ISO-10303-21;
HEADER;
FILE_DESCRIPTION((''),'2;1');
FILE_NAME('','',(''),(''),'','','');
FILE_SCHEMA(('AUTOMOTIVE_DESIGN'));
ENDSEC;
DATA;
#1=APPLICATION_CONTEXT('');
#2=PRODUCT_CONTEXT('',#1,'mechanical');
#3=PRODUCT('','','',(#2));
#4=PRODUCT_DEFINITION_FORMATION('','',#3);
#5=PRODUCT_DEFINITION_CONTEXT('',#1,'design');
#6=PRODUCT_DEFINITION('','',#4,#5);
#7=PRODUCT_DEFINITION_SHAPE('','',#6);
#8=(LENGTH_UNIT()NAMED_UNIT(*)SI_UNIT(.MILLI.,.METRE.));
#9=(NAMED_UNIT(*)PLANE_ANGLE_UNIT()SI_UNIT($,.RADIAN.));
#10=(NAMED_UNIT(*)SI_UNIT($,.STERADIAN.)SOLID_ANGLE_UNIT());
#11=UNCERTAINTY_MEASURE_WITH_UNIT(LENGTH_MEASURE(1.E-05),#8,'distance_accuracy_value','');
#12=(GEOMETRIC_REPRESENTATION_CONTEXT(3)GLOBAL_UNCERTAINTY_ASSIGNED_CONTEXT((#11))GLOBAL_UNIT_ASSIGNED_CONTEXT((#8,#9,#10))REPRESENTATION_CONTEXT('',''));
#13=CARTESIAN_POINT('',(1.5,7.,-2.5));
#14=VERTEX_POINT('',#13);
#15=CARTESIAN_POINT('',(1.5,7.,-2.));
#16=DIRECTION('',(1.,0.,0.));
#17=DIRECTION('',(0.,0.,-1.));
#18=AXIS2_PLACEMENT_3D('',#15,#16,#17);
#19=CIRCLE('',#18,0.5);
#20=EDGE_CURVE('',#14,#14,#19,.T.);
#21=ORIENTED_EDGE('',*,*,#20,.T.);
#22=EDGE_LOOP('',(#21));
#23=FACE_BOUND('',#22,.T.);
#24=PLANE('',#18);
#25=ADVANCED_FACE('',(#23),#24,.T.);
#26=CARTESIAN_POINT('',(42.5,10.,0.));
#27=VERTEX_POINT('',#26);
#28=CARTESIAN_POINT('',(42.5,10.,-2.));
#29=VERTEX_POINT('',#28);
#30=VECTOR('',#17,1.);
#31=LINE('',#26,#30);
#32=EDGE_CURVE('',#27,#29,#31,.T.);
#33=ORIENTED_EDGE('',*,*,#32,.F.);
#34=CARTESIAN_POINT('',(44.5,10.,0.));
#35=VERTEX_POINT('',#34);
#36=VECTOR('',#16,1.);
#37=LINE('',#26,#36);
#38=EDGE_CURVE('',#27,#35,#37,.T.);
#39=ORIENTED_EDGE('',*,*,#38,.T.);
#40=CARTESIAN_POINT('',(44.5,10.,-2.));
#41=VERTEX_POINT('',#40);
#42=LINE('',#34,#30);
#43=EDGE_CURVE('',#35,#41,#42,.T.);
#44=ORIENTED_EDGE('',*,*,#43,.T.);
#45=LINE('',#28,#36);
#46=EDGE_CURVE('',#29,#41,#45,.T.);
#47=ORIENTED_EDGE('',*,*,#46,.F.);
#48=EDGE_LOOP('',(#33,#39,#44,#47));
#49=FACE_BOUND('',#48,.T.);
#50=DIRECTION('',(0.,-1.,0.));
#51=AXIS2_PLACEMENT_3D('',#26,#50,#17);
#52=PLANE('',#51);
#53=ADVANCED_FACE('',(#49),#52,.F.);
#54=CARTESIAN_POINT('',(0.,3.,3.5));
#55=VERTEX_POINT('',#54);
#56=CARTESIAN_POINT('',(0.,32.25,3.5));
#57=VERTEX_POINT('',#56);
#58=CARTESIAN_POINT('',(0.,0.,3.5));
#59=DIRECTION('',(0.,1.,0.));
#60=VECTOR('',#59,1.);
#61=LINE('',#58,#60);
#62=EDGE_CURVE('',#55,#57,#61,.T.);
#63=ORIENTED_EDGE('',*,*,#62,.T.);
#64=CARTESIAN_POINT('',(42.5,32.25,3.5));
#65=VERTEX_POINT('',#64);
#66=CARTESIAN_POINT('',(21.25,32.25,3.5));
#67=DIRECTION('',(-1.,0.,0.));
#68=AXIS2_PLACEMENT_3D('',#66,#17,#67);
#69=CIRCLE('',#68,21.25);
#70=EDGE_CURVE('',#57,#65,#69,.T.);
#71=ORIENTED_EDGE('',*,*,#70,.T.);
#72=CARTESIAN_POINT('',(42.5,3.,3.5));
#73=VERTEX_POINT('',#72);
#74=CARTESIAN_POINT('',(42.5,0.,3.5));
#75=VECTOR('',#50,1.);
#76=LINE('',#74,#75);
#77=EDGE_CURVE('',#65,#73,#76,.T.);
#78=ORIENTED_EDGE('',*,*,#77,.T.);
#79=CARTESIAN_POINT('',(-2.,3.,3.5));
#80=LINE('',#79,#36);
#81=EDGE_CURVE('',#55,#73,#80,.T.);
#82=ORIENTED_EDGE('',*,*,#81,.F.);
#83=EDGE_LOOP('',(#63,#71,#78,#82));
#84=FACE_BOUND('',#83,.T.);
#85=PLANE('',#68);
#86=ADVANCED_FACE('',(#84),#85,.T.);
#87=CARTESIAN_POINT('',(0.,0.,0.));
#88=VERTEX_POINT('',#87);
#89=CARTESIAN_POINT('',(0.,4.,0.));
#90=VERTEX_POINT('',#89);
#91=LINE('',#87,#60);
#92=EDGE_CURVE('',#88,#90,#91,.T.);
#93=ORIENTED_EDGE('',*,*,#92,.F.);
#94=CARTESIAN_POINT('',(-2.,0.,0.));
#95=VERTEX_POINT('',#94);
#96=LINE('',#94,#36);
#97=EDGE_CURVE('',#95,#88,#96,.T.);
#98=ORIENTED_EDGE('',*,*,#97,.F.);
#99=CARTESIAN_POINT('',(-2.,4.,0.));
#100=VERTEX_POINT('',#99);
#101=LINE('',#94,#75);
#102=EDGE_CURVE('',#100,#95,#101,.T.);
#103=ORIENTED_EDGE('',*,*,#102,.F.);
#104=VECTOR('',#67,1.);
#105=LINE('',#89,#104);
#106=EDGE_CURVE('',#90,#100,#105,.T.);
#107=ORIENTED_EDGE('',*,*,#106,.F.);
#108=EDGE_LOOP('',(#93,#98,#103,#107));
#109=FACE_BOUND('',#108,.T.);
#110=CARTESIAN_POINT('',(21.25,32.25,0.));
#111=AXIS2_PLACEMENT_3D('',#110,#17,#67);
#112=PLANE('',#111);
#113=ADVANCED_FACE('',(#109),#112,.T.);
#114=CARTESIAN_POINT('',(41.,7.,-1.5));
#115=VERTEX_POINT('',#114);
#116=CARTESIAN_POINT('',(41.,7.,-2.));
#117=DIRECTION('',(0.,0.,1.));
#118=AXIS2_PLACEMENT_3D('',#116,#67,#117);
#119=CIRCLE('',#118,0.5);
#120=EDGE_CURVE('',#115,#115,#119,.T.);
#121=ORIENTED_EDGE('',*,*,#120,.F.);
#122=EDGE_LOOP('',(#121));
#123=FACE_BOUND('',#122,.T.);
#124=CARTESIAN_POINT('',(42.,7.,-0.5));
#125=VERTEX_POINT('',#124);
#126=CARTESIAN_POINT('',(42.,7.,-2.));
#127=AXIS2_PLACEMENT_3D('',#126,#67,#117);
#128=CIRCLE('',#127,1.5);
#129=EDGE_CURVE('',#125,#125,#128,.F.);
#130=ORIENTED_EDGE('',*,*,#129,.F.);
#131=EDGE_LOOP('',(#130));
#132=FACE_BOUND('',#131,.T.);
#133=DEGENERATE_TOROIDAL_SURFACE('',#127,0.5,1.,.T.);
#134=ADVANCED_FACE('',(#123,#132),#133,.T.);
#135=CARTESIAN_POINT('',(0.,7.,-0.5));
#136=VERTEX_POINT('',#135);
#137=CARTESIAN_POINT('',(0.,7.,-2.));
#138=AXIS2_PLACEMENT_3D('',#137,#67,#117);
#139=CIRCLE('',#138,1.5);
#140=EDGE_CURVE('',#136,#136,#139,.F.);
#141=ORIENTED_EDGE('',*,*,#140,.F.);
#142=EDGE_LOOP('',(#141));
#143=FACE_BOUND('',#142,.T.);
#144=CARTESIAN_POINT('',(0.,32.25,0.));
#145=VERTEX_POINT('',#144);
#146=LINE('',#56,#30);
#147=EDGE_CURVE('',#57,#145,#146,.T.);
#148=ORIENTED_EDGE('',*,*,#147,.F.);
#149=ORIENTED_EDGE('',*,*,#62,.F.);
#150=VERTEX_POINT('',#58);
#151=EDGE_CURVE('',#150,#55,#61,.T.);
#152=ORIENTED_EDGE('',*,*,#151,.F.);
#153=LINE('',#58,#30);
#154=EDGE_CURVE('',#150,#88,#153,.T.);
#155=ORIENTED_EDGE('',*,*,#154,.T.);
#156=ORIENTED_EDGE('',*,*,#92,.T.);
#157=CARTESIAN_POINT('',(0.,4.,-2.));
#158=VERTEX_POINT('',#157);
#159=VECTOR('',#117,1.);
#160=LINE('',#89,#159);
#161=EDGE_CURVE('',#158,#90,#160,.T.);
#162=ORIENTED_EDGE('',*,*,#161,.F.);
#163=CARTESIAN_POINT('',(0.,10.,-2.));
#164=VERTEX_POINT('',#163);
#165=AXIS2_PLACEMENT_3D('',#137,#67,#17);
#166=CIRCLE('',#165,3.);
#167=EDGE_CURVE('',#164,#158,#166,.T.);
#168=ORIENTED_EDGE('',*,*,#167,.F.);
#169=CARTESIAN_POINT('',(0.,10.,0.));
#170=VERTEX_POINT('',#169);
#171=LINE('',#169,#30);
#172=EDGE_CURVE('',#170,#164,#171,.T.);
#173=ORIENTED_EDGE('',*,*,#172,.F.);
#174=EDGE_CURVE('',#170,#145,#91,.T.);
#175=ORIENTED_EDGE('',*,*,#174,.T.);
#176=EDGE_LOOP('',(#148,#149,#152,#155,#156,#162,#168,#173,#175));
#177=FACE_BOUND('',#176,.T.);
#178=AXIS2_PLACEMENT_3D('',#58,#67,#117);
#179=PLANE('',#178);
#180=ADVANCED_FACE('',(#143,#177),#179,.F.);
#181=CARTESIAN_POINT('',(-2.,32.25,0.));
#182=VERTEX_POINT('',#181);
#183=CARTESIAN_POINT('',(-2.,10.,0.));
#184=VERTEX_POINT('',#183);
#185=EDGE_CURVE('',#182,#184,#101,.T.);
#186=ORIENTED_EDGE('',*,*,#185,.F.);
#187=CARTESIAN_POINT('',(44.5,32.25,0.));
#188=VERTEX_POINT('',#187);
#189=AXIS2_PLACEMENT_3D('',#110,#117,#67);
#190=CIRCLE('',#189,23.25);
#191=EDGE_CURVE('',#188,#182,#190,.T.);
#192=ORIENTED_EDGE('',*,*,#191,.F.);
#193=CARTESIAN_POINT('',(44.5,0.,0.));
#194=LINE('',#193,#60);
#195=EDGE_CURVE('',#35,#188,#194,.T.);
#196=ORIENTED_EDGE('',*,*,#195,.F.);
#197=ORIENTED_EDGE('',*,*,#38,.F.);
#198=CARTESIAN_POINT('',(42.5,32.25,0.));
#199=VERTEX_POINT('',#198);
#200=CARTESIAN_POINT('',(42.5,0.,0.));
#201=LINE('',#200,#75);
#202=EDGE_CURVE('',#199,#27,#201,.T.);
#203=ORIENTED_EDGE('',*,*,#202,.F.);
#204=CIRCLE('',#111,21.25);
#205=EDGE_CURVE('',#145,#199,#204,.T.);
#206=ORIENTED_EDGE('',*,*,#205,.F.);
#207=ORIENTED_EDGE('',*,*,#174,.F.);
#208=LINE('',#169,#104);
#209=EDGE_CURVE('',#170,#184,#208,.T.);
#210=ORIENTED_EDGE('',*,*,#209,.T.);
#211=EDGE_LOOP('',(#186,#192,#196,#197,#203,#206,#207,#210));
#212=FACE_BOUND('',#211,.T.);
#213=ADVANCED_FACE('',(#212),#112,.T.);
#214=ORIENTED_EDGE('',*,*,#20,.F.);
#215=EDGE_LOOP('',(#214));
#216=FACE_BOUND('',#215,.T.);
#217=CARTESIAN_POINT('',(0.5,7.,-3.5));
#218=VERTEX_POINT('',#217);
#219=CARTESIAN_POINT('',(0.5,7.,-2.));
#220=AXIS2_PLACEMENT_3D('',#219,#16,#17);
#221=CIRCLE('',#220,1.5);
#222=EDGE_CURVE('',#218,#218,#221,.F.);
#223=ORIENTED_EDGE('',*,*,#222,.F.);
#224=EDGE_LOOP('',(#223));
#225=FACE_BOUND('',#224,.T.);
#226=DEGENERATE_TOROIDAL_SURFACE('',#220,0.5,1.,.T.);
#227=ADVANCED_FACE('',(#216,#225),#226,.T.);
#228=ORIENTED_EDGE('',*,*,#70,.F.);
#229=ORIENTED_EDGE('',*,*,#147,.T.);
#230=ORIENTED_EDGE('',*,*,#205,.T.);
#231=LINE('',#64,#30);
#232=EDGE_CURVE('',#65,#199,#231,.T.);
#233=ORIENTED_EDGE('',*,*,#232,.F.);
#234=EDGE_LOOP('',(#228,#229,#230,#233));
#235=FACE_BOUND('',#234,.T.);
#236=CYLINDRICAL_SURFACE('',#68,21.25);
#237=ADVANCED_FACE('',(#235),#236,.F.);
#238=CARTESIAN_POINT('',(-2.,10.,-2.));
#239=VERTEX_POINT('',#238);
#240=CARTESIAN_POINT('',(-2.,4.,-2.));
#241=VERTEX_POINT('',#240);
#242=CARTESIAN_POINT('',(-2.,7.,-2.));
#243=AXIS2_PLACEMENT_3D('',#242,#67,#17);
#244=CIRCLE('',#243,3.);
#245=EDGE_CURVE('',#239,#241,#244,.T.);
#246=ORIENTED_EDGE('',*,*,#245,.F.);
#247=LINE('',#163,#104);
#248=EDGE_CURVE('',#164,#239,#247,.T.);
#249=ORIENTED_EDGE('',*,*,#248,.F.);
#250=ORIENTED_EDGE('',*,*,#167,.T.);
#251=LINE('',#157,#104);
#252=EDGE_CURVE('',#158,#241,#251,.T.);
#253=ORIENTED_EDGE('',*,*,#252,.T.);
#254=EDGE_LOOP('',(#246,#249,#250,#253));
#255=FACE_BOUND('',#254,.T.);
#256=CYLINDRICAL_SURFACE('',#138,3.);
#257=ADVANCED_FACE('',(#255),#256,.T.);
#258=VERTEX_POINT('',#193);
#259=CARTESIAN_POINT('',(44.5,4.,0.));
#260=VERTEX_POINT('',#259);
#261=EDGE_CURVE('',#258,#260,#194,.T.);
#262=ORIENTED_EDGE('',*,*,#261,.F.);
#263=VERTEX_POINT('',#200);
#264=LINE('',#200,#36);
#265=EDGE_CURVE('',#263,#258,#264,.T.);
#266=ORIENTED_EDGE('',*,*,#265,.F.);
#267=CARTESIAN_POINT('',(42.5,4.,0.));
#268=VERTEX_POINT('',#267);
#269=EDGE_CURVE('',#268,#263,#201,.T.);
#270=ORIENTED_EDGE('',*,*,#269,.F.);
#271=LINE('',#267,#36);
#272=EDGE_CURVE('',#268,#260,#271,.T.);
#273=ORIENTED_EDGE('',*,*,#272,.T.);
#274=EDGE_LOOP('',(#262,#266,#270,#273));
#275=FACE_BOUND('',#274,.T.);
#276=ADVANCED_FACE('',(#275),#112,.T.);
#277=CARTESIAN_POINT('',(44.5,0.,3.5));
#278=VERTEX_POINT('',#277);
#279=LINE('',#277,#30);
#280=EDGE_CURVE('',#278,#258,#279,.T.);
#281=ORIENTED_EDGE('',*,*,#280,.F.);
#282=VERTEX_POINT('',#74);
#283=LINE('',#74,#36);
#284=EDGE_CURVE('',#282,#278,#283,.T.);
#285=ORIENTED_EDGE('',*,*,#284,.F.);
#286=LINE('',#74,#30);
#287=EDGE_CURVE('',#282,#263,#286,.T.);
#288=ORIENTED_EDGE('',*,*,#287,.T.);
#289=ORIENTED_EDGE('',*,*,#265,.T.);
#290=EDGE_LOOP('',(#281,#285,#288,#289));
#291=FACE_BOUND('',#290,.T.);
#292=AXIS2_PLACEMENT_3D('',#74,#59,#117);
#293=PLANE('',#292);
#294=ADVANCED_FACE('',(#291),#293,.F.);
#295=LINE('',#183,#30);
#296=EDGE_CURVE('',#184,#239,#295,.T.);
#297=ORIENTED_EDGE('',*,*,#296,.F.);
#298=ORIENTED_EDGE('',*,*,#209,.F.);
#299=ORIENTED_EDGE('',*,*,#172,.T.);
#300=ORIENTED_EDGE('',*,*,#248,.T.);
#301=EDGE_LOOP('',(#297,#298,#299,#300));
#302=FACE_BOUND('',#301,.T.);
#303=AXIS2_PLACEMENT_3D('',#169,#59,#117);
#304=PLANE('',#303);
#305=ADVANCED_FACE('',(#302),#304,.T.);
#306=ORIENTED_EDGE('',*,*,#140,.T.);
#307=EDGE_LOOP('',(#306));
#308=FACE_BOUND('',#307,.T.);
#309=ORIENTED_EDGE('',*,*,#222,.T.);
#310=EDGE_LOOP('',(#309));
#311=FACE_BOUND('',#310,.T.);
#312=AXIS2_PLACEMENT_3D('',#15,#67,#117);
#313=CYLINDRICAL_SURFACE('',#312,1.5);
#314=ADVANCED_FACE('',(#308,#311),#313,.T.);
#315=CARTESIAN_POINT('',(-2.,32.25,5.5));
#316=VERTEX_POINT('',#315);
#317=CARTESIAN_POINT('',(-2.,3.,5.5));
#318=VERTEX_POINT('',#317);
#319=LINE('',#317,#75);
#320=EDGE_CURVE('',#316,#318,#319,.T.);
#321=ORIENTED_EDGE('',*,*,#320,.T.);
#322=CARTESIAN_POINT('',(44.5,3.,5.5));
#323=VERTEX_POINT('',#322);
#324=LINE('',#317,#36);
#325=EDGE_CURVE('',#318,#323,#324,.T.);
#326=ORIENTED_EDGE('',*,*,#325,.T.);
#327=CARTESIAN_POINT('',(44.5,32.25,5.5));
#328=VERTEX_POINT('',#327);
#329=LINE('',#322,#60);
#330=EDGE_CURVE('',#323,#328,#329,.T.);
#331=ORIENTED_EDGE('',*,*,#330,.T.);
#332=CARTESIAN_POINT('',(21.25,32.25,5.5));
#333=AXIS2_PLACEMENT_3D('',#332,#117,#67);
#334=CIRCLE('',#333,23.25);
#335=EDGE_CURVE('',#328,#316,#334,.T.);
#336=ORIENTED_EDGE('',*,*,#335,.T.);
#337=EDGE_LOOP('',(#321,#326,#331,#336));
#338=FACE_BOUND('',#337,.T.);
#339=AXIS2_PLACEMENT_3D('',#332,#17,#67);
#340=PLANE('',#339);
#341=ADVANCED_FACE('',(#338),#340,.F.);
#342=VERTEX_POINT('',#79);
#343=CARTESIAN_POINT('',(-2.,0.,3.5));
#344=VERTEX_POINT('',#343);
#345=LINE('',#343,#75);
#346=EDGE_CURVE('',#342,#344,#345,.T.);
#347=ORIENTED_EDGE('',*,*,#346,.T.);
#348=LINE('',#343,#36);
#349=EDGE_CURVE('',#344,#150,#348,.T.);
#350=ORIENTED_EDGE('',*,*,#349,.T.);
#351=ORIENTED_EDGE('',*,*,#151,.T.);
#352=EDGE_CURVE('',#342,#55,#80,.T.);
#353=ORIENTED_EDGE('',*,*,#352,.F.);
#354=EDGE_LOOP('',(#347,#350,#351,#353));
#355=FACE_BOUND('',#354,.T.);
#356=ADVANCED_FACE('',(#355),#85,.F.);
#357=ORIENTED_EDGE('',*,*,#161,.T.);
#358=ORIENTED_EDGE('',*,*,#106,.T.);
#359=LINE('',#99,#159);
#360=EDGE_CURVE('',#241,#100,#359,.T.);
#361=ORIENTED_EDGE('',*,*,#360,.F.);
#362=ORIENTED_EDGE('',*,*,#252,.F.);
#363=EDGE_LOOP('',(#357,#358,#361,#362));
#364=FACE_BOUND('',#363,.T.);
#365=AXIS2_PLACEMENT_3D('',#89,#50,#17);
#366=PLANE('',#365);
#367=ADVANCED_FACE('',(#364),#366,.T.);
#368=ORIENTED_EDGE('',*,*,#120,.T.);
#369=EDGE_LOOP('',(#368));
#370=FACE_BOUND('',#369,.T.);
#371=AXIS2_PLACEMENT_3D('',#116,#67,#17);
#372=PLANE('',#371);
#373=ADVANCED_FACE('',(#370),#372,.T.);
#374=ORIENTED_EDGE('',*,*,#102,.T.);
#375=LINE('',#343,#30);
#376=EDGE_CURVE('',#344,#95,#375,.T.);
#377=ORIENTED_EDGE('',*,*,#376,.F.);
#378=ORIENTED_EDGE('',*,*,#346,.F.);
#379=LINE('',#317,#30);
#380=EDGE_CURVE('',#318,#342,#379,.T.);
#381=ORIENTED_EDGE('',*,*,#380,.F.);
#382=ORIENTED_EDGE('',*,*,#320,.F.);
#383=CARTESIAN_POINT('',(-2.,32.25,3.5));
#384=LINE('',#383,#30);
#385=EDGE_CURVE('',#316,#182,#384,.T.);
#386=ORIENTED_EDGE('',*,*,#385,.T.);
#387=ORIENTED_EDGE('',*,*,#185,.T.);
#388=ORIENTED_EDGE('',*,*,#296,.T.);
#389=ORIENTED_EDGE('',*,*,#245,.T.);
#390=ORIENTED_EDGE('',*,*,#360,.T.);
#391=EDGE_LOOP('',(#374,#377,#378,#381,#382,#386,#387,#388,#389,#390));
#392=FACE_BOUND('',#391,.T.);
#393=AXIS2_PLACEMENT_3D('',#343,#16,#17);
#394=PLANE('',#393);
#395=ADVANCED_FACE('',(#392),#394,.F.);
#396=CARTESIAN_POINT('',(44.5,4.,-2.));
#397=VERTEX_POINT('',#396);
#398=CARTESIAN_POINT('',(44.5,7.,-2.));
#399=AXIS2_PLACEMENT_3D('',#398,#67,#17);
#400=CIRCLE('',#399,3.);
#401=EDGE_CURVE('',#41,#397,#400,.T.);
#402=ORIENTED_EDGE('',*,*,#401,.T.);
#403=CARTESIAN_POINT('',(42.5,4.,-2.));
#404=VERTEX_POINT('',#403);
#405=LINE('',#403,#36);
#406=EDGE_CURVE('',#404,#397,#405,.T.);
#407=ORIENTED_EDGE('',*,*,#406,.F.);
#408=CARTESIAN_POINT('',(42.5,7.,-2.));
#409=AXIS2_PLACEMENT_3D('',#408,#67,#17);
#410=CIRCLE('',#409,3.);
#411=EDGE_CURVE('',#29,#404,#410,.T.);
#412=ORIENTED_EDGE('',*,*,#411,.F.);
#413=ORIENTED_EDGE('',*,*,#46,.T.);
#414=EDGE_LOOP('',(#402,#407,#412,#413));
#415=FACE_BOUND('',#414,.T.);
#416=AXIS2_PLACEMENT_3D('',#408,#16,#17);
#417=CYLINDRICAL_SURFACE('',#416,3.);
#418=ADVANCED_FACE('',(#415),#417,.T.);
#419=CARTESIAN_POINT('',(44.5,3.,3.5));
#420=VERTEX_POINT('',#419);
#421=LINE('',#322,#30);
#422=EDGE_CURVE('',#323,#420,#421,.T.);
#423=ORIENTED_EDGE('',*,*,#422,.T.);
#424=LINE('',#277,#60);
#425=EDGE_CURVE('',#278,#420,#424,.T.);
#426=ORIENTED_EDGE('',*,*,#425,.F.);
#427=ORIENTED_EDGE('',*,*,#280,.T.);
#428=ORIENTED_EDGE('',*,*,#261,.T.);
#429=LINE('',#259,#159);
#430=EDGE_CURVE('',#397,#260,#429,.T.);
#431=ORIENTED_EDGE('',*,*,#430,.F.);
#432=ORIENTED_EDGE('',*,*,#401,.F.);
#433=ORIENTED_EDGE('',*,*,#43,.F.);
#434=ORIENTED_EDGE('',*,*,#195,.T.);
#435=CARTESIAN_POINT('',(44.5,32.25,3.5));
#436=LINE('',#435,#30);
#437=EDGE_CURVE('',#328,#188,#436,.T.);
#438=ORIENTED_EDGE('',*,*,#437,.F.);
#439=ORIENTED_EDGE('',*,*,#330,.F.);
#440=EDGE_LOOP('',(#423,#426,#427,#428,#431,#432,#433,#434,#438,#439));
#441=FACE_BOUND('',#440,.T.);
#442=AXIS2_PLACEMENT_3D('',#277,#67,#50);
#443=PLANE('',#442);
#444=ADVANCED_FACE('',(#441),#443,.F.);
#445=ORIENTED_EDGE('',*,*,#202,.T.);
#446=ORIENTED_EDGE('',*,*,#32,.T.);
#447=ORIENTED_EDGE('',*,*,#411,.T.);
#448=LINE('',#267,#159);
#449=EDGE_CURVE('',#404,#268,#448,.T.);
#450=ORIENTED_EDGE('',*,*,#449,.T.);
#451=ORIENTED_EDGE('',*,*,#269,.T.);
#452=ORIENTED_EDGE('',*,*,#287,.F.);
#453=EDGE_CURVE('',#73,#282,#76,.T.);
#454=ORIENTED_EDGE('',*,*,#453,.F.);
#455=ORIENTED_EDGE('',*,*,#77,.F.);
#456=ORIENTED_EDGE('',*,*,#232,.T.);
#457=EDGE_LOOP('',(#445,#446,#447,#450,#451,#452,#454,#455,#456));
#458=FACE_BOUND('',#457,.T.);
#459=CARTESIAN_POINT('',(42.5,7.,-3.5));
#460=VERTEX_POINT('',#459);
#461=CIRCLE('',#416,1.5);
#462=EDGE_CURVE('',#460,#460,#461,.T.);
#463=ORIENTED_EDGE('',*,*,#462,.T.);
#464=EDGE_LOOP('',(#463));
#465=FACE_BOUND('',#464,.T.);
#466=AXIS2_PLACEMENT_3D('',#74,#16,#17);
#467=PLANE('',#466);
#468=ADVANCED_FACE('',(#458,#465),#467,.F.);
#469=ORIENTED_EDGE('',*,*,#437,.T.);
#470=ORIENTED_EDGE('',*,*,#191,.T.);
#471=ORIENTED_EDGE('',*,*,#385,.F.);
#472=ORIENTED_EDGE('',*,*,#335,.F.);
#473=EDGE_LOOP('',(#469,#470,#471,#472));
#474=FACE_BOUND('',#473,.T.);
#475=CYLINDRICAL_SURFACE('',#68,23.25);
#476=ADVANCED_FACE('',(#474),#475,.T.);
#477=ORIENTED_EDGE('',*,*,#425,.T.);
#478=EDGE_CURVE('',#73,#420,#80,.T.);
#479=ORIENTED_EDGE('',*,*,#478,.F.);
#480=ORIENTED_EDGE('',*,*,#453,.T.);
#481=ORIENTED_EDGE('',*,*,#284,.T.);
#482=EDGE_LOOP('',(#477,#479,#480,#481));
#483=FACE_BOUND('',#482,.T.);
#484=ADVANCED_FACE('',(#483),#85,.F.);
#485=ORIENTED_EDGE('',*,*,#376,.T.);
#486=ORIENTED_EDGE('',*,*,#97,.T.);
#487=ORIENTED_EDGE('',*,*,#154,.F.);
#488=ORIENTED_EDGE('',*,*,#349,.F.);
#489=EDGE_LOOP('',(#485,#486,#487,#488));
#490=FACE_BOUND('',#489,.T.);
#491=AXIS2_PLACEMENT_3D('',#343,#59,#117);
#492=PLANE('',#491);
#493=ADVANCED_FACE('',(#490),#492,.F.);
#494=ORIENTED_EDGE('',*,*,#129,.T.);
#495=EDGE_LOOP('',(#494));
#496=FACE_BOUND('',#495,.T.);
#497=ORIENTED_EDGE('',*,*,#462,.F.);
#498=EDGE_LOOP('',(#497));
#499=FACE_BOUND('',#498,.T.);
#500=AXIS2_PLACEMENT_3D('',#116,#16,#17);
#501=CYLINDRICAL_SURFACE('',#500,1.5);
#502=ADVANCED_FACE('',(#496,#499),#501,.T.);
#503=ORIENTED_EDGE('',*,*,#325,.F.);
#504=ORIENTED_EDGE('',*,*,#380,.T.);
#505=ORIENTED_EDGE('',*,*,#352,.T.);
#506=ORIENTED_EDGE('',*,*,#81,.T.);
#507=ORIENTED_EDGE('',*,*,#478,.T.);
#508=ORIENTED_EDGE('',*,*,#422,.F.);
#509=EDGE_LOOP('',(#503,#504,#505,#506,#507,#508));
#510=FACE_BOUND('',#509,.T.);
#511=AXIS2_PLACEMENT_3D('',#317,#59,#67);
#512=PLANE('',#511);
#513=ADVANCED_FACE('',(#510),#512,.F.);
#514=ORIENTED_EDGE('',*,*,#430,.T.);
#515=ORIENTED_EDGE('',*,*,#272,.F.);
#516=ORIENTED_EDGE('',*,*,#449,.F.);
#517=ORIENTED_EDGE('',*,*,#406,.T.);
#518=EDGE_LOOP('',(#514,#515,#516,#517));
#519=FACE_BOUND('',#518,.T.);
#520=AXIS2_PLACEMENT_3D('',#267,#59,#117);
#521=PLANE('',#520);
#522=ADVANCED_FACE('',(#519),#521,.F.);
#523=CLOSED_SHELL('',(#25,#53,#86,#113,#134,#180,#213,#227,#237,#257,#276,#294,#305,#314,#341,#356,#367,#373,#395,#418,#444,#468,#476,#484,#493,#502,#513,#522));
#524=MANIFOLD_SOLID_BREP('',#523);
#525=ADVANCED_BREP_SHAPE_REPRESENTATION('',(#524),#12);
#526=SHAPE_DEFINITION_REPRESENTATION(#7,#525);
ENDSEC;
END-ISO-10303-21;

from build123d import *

# Parameters (mm, degrees)
BOSS_EXTRUDE1_DEPTH  = 3.5
BOSS_EXTRUDE2_DEPTH  = 2
BOSS_EXTRUDE3_DEPTH  = 2
SKETCH4_R            = 1.5
BOSS_EXTRUDE4_DEPTH  = 1.5
FILLET1_R            = 1
FILLET1_OF_MIRROR1_R = 1


with BuildPart() as part:
    # Sketch1 → Boss-Extrude1 (new body)
    with BuildSketch(Plane.XY):
        with BuildLine():
            Line((42.5, 0), (42.5, 32.25))
            ThreePointArc((42.5, 32.25), (21.25, 53.5), (0, 32.25))
            Line((0, 32.25), (0, 0))
            Line((0, 0), (-2, 0))
            Line((-2, 0), (-2, 32.25))
            ThreePointArc((-2, 32.25), (21.25, 55.5), (44.5, 32.25))
            Line((44.5, 32.25), (44.5, 0))
            Line((44.5, 0), (42.5, 0))
        make_face()
    boss_extrude1 = extrude(amount=BOSS_EXTRUDE1_DEPTH)

    # Sketch2 → Boss-Extrude2 (add)
    with BuildSketch(Plane.XY.offset(3.5)):
        with BuildLine():
            Line((-2, 3), (44.5, 3))
            Line((44.5, 3), (44.5, 32.25))
            ThreePointArc((44.5, 32.25), (21.25, 55.5), (-2, 32.25))
            Line((-2, 32.25), (-2, 3))
        make_face()
    extrude(amount=BOSS_EXTRUDE2_DEPTH)

    # Sketch3 → Boss-Extrude3 (add)
    with BuildSketch(Plane.ZY.offset(2)):
        with BuildLine():
            Line((0, 4), (-2, 4))
            ThreePointArc((-2, 4), (-5, 7), (-2, 10))
            Line((-2, 10), (0, 10))
            Line((0, 10), (0, 4))
        make_face()
    boss_extrude3 = extrude(amount=-BOSS_EXTRUDE3_DEPTH)

    # Sketch4 → Boss-Extrude4 (add)
    with BuildSketch(Plane(origin=(0, 0, 0), x_dir=(0, 0, -1), z_dir=(1, 0, 0))):
        with Locations(Location((2, 7, 0), (0, 0, 180))):
            Circle(SKETCH4_R)
    boss_extrude4 = extrude(amount=BOSS_EXTRUDE4_DEPTH)

    # Fillet1
    fillet1_edges = [part.edges().sort_by_distance(p)[0] for p in [
        (1.5, 7, -3.5),
    ]]
    fillet(fillet1_edges, radius=FILLET1_R)

    # Mirror1: Boss-Extrude1, Boss-Extrude3, Boss-Extrude4 across plane
    add(boss_extrude1.mirror(Plane(origin=(21.25, 0, 0), x_dir=(0, 0, 1), z_dir=(1, 0, 0))))
    add(boss_extrude3.mirror(Plane(origin=(21.25, 0, 0), x_dir=(0, 0, 1), z_dir=(1, 0, 0))))
    add(boss_extrude4.mirror(Plane(origin=(21.25, 0, 0), x_dir=(0, 0, 1), z_dir=(1, 0, 0))))

    # Fillet1 of Mirror1
    fillet1_of_mirror1_edges = [part.edges().sort_by_distance(p)[0] for p in [
        (41, 7, -3.5),
    ]]
    fillet(fillet1_of_mirror1_edges, radius=FILLET1_OF_MIRROR1_R)


solid = part.part
